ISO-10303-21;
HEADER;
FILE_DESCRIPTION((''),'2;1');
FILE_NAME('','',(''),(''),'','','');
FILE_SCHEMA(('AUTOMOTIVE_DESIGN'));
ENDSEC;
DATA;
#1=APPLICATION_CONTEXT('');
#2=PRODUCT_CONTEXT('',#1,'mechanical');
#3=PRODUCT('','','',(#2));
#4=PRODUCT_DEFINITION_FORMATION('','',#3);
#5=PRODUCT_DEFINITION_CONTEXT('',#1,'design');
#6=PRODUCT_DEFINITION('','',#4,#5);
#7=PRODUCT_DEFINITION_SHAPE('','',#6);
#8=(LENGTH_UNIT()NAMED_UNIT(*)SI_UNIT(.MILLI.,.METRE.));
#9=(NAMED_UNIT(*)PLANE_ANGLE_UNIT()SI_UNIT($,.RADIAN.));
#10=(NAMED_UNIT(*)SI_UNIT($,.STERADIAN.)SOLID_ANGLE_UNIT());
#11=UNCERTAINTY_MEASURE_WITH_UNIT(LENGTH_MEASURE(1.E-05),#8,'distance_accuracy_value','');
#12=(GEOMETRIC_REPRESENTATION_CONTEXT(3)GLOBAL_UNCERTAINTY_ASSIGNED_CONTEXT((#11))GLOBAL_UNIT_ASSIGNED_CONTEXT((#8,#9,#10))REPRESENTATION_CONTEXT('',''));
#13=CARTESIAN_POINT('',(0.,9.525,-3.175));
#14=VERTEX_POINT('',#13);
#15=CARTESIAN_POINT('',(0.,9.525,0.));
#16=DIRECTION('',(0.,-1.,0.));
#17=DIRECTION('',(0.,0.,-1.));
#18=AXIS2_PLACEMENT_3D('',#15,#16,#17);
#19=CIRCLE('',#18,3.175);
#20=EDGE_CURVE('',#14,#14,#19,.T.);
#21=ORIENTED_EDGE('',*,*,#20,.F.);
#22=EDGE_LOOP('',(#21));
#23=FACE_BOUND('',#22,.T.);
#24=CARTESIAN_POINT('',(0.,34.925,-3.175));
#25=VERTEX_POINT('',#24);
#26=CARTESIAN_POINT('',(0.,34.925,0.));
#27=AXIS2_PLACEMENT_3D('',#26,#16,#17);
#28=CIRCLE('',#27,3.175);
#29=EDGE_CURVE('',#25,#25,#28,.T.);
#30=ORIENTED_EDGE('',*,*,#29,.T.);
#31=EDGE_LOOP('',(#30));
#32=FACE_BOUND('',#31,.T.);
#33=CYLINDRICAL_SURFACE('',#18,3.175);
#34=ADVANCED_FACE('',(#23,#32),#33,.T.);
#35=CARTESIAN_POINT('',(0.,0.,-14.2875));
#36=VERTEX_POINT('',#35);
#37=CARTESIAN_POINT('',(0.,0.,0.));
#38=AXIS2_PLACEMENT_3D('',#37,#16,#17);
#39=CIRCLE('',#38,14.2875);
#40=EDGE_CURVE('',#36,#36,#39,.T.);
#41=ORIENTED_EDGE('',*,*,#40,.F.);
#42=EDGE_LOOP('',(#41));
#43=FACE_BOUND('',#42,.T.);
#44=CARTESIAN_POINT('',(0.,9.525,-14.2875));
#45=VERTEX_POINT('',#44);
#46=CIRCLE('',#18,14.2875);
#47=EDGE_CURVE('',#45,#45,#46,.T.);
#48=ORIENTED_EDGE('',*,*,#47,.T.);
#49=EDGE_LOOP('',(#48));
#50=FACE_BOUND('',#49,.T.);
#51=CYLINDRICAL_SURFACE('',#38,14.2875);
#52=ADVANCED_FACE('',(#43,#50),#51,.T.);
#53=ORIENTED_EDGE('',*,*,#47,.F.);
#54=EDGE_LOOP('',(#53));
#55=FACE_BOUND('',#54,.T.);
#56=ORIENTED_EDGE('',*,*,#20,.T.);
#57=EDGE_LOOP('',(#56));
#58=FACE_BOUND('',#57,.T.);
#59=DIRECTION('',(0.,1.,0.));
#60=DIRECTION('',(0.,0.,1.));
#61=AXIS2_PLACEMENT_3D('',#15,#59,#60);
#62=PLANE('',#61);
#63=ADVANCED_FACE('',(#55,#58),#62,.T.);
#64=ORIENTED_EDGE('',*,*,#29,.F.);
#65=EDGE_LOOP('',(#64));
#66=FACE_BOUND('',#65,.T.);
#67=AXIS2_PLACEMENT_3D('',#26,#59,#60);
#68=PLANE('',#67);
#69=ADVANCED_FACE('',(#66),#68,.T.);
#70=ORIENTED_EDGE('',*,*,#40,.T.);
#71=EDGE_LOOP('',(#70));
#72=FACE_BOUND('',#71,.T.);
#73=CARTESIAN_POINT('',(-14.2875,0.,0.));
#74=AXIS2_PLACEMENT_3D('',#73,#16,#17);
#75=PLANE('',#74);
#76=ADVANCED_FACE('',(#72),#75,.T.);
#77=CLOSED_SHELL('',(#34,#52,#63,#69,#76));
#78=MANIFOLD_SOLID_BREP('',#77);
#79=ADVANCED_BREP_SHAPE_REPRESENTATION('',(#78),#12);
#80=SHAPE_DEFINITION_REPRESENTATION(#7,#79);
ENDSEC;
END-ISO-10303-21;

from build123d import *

# Parameters (mm, degrees)
SKETCH1_W = 3.175
SKETCH1_H = 25.4
SKETCH5_W = 14.2875
SKETCH5_H = 9.525


with BuildPart() as part:
    # Sketch1 → Revolve1 (revolve)
    with BuildSketch(Plane.XY, mode=Mode.PRIVATE) as revolve1_sk:
        with Locations((1.5875, 22.225)):
            Rectangle(SKETCH1_W, SKETCH1_H)
    revolve(revolve1_sk.sketch.rotate(Axis((0, 9.525, 0), (0, 1, 0)), 90), axis=Axis((0, 9.525, 0), (0, 1, 0)))

    # Sketch5 → Revolve2 (revolve)
    with BuildSketch(Plane.XY, mode=Mode.PRIVATE) as revolve2_sk:
        with Locations((7.14375, 4.7625)):
            Rectangle(SKETCH5_W, SKETCH5_H)
    revolve(revolve2_sk.sketch.rotate(Axis((0, 0, 0), (0, 1, 0)), 90), axis=Axis((0, 0, 0), (0, 1, 0)))


solid = part.part
